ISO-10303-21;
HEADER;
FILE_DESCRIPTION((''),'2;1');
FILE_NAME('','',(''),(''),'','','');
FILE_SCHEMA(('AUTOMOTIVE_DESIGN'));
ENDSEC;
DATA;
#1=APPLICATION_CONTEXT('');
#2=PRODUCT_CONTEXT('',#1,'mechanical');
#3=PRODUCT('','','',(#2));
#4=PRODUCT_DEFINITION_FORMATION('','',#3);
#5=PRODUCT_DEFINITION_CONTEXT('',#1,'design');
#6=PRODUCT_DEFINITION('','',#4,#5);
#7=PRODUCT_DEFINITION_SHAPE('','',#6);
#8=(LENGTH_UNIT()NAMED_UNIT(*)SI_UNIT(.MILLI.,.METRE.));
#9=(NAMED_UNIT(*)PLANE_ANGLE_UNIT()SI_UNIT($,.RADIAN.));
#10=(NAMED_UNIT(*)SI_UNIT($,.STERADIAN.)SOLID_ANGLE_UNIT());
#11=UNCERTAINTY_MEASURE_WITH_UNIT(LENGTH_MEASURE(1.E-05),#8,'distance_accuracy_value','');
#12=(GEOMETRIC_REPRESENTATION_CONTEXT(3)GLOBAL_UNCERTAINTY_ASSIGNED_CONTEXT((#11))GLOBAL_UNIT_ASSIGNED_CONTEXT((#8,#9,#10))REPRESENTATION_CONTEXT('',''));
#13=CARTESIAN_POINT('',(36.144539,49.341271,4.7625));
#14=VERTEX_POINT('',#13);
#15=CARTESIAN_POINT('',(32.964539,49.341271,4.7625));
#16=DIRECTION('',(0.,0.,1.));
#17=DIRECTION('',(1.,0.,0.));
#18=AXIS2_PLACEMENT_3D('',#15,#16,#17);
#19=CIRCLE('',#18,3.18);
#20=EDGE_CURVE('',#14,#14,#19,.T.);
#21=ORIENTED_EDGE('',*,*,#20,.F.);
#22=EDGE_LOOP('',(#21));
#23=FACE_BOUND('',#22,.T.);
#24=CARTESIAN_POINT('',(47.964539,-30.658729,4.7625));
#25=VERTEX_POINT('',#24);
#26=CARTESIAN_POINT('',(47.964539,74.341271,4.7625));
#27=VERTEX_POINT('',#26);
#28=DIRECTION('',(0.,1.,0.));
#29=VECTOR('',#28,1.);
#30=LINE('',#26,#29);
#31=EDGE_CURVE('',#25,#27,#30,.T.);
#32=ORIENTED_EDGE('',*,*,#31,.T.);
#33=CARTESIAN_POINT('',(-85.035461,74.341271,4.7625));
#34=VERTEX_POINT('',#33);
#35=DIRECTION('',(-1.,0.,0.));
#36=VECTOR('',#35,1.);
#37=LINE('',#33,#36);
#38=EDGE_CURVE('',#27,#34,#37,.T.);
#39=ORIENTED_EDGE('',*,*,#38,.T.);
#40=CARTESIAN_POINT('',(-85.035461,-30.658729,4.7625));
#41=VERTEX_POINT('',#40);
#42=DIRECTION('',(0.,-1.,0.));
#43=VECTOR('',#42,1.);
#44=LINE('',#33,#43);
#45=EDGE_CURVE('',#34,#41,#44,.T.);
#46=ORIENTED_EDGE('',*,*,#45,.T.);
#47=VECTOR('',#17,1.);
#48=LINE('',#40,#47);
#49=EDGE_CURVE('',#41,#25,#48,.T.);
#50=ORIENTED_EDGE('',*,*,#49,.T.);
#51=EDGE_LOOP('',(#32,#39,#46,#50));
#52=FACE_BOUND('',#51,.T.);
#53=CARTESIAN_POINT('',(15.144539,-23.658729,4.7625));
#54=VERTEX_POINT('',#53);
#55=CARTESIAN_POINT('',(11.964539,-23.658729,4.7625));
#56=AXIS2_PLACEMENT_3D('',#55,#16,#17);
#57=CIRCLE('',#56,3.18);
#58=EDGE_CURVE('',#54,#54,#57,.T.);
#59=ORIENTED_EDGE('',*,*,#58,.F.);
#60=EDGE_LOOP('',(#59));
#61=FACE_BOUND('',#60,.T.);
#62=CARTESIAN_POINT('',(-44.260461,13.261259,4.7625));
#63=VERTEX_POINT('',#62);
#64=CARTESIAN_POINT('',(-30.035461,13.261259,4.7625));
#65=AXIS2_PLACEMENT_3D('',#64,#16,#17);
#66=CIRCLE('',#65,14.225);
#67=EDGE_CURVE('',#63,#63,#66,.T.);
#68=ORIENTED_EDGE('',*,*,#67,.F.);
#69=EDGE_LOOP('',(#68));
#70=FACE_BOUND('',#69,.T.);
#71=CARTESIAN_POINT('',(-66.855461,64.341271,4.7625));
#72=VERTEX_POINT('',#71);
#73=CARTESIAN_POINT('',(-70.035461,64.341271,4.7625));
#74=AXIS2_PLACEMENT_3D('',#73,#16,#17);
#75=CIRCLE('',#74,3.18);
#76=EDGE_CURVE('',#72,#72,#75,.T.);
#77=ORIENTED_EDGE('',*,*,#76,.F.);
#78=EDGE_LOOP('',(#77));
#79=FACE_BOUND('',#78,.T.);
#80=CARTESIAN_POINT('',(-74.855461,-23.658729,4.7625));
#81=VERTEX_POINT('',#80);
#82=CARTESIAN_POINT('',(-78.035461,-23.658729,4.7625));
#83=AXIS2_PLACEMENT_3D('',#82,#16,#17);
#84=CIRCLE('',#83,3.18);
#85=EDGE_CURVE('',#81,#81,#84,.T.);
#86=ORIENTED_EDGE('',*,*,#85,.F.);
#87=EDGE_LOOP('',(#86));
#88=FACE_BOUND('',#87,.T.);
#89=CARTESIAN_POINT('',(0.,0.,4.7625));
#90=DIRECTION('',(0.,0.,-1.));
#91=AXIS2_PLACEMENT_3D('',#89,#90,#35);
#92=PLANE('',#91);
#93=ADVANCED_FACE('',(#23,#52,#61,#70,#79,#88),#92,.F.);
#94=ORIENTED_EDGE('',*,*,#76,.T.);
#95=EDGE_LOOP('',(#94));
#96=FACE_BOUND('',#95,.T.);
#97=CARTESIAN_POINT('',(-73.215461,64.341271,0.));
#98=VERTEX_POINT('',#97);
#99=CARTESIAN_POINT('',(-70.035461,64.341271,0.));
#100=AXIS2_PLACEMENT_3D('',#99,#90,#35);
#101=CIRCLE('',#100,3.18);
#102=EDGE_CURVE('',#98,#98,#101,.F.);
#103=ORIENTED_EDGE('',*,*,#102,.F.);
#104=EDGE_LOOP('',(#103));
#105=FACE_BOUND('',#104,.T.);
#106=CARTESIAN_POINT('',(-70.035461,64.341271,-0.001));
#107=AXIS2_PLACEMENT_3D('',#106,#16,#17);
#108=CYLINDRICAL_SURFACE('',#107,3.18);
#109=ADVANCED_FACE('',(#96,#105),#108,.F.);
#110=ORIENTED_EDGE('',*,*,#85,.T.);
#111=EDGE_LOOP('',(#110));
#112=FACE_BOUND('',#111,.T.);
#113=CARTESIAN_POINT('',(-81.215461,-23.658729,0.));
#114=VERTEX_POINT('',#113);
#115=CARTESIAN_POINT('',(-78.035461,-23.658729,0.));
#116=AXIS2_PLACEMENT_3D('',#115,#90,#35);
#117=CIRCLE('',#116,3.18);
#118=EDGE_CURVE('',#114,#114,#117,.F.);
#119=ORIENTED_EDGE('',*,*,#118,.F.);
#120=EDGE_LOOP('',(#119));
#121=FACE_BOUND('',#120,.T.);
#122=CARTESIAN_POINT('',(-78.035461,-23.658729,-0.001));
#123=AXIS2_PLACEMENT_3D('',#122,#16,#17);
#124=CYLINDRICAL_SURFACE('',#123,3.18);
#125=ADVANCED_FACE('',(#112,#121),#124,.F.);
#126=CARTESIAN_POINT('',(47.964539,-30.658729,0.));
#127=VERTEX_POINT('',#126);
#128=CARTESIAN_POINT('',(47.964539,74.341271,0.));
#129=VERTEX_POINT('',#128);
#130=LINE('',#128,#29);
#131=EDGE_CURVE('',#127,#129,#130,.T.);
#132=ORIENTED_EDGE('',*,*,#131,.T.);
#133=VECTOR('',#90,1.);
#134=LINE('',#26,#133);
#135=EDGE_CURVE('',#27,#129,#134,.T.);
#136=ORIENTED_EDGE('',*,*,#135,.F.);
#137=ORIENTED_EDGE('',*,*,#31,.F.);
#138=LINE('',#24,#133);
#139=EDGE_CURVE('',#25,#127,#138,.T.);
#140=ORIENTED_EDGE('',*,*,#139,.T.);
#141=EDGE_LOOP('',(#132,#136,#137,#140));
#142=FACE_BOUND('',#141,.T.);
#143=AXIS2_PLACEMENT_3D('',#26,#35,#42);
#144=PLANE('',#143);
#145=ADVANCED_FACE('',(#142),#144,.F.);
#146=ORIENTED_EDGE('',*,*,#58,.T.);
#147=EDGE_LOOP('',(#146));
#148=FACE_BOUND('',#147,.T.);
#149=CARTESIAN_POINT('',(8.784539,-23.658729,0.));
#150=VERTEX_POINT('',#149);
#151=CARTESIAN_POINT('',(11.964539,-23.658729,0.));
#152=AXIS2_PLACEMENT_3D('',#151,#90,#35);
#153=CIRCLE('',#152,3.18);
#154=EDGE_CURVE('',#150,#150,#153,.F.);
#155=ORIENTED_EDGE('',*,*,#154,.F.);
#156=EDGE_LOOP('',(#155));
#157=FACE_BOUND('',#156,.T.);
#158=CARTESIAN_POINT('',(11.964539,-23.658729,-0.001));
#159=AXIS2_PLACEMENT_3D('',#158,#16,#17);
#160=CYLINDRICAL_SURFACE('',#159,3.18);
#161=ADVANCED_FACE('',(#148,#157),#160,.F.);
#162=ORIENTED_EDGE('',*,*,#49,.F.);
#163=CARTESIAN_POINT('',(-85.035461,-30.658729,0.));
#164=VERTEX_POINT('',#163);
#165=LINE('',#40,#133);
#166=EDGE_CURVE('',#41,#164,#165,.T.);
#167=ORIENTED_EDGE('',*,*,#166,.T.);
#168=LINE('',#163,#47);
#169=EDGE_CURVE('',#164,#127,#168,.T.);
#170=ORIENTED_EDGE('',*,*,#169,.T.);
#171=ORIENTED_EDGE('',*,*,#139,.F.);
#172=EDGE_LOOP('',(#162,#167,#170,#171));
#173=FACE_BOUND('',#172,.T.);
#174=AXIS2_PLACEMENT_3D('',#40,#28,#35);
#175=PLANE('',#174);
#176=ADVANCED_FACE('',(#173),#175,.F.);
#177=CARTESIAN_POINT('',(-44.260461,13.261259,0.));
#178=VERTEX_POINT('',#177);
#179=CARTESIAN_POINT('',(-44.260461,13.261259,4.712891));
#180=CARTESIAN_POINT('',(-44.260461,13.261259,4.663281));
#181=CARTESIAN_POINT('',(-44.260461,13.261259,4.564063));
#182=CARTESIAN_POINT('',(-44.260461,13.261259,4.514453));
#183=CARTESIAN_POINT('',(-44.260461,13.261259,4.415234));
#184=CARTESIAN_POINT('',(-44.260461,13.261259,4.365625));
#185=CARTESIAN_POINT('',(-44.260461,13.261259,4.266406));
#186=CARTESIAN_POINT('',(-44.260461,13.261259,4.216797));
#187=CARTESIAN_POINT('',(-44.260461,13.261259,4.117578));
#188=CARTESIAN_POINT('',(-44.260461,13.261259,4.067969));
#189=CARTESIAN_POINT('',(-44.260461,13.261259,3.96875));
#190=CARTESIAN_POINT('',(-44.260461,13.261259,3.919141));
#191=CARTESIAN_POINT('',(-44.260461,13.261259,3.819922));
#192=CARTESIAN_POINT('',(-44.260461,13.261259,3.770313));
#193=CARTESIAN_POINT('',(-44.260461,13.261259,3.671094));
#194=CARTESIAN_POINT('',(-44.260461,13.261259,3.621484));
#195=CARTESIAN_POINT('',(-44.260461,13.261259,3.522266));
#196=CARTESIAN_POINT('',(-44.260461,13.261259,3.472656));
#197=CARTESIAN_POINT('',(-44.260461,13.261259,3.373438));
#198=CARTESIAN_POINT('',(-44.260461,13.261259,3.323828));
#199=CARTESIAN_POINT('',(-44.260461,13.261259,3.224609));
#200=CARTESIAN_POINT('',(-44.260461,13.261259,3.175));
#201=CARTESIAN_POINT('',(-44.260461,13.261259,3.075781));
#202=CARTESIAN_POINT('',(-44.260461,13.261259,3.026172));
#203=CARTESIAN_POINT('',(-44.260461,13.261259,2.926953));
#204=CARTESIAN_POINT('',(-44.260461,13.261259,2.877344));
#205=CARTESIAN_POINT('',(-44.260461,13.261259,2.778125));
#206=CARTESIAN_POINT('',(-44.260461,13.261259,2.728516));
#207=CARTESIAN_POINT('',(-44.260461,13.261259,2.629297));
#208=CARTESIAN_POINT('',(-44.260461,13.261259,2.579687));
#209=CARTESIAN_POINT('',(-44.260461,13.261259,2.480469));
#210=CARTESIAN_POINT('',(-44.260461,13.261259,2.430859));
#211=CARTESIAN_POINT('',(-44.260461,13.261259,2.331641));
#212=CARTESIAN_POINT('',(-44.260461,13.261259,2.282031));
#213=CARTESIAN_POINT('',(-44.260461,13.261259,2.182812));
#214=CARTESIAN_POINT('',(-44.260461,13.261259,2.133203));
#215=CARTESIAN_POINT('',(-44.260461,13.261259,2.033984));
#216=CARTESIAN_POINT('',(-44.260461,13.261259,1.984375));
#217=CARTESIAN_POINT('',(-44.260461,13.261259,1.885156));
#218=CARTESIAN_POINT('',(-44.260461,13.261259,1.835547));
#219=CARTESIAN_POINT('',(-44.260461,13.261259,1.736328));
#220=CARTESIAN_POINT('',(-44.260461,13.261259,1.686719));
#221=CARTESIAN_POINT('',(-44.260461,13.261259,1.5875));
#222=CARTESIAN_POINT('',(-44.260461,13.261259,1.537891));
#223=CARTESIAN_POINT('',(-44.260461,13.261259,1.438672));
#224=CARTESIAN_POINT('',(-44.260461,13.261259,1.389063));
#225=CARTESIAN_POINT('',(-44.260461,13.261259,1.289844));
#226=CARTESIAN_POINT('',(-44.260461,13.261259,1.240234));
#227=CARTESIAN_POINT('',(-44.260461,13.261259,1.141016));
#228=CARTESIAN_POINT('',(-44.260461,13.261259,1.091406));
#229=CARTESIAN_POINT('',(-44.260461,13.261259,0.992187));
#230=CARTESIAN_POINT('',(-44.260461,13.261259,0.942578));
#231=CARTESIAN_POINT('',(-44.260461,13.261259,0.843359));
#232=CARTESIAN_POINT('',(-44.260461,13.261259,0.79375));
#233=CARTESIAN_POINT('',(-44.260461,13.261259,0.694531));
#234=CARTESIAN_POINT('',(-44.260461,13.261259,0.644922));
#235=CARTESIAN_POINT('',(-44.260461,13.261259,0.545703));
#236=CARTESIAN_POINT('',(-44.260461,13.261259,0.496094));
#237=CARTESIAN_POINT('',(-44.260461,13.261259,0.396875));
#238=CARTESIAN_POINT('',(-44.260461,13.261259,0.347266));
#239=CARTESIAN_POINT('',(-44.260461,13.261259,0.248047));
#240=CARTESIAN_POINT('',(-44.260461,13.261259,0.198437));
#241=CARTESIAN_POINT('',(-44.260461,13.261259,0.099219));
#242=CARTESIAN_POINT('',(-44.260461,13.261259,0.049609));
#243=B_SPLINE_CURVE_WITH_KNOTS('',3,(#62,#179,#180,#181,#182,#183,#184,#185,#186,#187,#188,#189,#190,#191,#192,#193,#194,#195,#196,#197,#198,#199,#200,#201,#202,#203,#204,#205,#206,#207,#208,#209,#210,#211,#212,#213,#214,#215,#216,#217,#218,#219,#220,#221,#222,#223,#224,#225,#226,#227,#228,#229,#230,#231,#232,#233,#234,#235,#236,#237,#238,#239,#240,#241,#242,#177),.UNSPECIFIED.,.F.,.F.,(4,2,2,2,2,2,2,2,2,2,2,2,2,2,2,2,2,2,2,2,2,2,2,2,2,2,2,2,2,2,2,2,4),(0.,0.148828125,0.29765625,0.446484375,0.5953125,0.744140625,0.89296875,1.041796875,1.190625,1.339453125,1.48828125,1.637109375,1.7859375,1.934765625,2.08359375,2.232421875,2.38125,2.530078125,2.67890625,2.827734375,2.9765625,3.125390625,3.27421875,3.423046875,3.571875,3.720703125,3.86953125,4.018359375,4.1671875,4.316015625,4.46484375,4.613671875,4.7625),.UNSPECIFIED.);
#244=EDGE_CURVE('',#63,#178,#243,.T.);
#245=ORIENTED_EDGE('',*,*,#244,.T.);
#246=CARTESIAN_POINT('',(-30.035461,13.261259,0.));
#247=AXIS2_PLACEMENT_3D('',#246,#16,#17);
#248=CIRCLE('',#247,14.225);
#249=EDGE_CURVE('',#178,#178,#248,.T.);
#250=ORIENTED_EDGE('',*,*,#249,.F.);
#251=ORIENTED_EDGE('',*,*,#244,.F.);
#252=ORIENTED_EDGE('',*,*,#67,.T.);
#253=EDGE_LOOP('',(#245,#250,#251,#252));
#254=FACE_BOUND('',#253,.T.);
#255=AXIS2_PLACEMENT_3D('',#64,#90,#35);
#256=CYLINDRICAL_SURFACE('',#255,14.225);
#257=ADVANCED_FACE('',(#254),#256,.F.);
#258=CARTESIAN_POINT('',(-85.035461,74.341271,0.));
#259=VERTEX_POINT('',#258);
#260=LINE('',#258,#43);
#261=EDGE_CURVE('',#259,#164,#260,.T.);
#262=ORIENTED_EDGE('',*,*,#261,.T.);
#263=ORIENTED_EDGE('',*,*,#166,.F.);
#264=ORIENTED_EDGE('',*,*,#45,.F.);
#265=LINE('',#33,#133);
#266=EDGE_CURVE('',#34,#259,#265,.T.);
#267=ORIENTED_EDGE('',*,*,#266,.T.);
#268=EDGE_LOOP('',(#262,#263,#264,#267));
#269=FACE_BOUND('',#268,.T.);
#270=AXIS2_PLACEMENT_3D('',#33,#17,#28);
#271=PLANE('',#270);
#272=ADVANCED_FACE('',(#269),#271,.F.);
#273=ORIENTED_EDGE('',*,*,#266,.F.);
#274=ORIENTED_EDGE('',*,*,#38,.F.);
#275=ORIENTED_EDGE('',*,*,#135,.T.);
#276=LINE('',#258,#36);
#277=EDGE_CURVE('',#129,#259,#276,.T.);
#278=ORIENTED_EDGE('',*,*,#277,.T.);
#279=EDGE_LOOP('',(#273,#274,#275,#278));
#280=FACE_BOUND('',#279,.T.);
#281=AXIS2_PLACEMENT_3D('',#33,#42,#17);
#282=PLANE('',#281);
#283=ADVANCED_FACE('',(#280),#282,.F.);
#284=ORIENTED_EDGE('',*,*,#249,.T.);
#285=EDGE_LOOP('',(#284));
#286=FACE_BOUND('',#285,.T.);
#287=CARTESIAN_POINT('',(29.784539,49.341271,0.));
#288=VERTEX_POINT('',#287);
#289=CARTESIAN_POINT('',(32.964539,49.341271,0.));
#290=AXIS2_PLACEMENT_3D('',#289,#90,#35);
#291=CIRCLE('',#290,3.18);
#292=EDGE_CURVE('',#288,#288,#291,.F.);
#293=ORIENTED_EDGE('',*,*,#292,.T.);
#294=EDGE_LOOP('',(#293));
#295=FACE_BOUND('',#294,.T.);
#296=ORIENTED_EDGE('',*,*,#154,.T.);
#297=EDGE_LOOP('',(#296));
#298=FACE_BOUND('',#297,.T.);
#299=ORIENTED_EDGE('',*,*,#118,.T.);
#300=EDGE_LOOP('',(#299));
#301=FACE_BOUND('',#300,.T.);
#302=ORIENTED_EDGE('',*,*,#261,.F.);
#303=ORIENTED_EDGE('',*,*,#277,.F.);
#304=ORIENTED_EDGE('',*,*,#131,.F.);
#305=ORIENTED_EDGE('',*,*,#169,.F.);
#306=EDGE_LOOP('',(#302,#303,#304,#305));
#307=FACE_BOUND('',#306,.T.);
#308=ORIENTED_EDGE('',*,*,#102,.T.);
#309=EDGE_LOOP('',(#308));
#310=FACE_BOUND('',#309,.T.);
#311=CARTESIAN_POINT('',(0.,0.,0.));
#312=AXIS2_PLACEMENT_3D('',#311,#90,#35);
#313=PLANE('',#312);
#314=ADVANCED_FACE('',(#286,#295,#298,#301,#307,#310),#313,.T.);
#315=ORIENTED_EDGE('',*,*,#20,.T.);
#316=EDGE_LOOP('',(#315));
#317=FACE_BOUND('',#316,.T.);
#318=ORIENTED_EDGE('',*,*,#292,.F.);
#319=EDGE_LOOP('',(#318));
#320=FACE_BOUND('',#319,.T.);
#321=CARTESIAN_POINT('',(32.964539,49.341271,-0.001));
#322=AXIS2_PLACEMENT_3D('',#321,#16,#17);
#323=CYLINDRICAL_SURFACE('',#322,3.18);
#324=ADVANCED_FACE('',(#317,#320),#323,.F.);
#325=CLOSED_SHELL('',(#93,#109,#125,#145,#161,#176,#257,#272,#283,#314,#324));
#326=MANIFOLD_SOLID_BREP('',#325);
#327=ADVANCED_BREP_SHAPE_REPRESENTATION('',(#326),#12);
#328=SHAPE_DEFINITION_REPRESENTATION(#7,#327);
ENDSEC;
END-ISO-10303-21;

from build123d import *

# Parameters (mm, degrees)
SKETCH1_W           = 133
SKETCH1_H           = 105
SKETCH1_R           = 14.225
BOSS_EXTRUDE2_DEPTH = 4.7625
CUT_EXTRUDE1_REACH  = 115.05
SKETCH2_R           = 3.18


with BuildPart() as part:
    # Sketch1 → Boss-Extrude2 (new body)
    with BuildSketch(Plane.XY):
        with Locations((-18.535460993, 21.841271178)):
            Rectangle(SKETCH1_W, SKETCH1_H)
        with Locations(Location((-30.035460993, 13.261258957, 0), (0, 0, 180))):
            Circle(SKETCH1_R, mode=Mode.SUBTRACT)
    extrude(amount=BOSS_EXTRUDE2_DEPTH)

    # Sketch2 → Cut-Extrude1 (cut, up to next)
    with BuildSketch(Plane.XY.offset(4.7625), mode=Mode.PRIVATE) as cut_extrude1_sk1:
        with Locations((-70.035460993, 64.341271178)):
            Circle(SKETCH2_R)
    cut_extrude1_tool1 = extrude(cut_extrude1_sk1.sketch, amount=-CUT_EXTRUDE1_REACH, mode=Mode.PRIVATE) & part.part
    # Sketch2 → Cut-Extrude1 (cut, up to next)
    with BuildSketch(Plane.XY.offset(4.7625), mode=Mode.PRIVATE) as cut_extrude1_sk2:
        with Locations((32.964539007, 49.341271178)):
            Circle(SKETCH2_R)
    cut_extrude1_tool2 = extrude(cut_extrude1_sk2.sketch, amount=-CUT_EXTRUDE1_REACH, mode=Mode.PRIVATE) & part.part
    # Sketch2 → Cut-Extrude1 (cut, up to next)
    with BuildSketch(Plane.XY.offset(4.7625), mode=Mode.PRIVATE) as cut_extrude1_sk3:
        with Locations((11.964539007, -23.658728822)):
            Circle(SKETCH2_R)
    cut_extrude1_tool3 = extrude(cut_extrude1_sk3.sketch, amount=-CUT_EXTRUDE1_REACH, mode=Mode.PRIVATE) & part.part
    # Sketch2 → Cut-Extrude1 (cut, up to next)
    with BuildSketch(Plane.XY.offset(4.7625), mode=Mode.PRIVATE) as cut_extrude1_sk4:
        with Locations((-78.035460993, -23.658728822)):
            Circle(SKETCH2_R)
    cut_extrude1_tool4 = extrude(cut_extrude1_sk4.sketch, amount=-CUT_EXTRUDE1_REACH, mode=Mode.PRIVATE) & part.part
    add(cut_extrude1_tool1.solids().sort_by_distance((-70.035461, 64.341271, 4.7625))[0], mode=Mode.SUBTRACT)
    add(cut_extrude1_tool2.solids().sort_by_distance((32.964539, 49.341271, 4.7625))[0], mode=Mode.SUBTRACT)
    add(cut_extrude1_tool3.solids().sort_by_distance((11.964539, -23.658729, 4.7625))[0], mode=Mode.SUBTRACT)
    add(cut_extrude1_tool4.solids().sort_by_distance((-78.035461, -23.658729, 4.7625))[0], mode=Mode.SUBTRACT)


solid = part.part
